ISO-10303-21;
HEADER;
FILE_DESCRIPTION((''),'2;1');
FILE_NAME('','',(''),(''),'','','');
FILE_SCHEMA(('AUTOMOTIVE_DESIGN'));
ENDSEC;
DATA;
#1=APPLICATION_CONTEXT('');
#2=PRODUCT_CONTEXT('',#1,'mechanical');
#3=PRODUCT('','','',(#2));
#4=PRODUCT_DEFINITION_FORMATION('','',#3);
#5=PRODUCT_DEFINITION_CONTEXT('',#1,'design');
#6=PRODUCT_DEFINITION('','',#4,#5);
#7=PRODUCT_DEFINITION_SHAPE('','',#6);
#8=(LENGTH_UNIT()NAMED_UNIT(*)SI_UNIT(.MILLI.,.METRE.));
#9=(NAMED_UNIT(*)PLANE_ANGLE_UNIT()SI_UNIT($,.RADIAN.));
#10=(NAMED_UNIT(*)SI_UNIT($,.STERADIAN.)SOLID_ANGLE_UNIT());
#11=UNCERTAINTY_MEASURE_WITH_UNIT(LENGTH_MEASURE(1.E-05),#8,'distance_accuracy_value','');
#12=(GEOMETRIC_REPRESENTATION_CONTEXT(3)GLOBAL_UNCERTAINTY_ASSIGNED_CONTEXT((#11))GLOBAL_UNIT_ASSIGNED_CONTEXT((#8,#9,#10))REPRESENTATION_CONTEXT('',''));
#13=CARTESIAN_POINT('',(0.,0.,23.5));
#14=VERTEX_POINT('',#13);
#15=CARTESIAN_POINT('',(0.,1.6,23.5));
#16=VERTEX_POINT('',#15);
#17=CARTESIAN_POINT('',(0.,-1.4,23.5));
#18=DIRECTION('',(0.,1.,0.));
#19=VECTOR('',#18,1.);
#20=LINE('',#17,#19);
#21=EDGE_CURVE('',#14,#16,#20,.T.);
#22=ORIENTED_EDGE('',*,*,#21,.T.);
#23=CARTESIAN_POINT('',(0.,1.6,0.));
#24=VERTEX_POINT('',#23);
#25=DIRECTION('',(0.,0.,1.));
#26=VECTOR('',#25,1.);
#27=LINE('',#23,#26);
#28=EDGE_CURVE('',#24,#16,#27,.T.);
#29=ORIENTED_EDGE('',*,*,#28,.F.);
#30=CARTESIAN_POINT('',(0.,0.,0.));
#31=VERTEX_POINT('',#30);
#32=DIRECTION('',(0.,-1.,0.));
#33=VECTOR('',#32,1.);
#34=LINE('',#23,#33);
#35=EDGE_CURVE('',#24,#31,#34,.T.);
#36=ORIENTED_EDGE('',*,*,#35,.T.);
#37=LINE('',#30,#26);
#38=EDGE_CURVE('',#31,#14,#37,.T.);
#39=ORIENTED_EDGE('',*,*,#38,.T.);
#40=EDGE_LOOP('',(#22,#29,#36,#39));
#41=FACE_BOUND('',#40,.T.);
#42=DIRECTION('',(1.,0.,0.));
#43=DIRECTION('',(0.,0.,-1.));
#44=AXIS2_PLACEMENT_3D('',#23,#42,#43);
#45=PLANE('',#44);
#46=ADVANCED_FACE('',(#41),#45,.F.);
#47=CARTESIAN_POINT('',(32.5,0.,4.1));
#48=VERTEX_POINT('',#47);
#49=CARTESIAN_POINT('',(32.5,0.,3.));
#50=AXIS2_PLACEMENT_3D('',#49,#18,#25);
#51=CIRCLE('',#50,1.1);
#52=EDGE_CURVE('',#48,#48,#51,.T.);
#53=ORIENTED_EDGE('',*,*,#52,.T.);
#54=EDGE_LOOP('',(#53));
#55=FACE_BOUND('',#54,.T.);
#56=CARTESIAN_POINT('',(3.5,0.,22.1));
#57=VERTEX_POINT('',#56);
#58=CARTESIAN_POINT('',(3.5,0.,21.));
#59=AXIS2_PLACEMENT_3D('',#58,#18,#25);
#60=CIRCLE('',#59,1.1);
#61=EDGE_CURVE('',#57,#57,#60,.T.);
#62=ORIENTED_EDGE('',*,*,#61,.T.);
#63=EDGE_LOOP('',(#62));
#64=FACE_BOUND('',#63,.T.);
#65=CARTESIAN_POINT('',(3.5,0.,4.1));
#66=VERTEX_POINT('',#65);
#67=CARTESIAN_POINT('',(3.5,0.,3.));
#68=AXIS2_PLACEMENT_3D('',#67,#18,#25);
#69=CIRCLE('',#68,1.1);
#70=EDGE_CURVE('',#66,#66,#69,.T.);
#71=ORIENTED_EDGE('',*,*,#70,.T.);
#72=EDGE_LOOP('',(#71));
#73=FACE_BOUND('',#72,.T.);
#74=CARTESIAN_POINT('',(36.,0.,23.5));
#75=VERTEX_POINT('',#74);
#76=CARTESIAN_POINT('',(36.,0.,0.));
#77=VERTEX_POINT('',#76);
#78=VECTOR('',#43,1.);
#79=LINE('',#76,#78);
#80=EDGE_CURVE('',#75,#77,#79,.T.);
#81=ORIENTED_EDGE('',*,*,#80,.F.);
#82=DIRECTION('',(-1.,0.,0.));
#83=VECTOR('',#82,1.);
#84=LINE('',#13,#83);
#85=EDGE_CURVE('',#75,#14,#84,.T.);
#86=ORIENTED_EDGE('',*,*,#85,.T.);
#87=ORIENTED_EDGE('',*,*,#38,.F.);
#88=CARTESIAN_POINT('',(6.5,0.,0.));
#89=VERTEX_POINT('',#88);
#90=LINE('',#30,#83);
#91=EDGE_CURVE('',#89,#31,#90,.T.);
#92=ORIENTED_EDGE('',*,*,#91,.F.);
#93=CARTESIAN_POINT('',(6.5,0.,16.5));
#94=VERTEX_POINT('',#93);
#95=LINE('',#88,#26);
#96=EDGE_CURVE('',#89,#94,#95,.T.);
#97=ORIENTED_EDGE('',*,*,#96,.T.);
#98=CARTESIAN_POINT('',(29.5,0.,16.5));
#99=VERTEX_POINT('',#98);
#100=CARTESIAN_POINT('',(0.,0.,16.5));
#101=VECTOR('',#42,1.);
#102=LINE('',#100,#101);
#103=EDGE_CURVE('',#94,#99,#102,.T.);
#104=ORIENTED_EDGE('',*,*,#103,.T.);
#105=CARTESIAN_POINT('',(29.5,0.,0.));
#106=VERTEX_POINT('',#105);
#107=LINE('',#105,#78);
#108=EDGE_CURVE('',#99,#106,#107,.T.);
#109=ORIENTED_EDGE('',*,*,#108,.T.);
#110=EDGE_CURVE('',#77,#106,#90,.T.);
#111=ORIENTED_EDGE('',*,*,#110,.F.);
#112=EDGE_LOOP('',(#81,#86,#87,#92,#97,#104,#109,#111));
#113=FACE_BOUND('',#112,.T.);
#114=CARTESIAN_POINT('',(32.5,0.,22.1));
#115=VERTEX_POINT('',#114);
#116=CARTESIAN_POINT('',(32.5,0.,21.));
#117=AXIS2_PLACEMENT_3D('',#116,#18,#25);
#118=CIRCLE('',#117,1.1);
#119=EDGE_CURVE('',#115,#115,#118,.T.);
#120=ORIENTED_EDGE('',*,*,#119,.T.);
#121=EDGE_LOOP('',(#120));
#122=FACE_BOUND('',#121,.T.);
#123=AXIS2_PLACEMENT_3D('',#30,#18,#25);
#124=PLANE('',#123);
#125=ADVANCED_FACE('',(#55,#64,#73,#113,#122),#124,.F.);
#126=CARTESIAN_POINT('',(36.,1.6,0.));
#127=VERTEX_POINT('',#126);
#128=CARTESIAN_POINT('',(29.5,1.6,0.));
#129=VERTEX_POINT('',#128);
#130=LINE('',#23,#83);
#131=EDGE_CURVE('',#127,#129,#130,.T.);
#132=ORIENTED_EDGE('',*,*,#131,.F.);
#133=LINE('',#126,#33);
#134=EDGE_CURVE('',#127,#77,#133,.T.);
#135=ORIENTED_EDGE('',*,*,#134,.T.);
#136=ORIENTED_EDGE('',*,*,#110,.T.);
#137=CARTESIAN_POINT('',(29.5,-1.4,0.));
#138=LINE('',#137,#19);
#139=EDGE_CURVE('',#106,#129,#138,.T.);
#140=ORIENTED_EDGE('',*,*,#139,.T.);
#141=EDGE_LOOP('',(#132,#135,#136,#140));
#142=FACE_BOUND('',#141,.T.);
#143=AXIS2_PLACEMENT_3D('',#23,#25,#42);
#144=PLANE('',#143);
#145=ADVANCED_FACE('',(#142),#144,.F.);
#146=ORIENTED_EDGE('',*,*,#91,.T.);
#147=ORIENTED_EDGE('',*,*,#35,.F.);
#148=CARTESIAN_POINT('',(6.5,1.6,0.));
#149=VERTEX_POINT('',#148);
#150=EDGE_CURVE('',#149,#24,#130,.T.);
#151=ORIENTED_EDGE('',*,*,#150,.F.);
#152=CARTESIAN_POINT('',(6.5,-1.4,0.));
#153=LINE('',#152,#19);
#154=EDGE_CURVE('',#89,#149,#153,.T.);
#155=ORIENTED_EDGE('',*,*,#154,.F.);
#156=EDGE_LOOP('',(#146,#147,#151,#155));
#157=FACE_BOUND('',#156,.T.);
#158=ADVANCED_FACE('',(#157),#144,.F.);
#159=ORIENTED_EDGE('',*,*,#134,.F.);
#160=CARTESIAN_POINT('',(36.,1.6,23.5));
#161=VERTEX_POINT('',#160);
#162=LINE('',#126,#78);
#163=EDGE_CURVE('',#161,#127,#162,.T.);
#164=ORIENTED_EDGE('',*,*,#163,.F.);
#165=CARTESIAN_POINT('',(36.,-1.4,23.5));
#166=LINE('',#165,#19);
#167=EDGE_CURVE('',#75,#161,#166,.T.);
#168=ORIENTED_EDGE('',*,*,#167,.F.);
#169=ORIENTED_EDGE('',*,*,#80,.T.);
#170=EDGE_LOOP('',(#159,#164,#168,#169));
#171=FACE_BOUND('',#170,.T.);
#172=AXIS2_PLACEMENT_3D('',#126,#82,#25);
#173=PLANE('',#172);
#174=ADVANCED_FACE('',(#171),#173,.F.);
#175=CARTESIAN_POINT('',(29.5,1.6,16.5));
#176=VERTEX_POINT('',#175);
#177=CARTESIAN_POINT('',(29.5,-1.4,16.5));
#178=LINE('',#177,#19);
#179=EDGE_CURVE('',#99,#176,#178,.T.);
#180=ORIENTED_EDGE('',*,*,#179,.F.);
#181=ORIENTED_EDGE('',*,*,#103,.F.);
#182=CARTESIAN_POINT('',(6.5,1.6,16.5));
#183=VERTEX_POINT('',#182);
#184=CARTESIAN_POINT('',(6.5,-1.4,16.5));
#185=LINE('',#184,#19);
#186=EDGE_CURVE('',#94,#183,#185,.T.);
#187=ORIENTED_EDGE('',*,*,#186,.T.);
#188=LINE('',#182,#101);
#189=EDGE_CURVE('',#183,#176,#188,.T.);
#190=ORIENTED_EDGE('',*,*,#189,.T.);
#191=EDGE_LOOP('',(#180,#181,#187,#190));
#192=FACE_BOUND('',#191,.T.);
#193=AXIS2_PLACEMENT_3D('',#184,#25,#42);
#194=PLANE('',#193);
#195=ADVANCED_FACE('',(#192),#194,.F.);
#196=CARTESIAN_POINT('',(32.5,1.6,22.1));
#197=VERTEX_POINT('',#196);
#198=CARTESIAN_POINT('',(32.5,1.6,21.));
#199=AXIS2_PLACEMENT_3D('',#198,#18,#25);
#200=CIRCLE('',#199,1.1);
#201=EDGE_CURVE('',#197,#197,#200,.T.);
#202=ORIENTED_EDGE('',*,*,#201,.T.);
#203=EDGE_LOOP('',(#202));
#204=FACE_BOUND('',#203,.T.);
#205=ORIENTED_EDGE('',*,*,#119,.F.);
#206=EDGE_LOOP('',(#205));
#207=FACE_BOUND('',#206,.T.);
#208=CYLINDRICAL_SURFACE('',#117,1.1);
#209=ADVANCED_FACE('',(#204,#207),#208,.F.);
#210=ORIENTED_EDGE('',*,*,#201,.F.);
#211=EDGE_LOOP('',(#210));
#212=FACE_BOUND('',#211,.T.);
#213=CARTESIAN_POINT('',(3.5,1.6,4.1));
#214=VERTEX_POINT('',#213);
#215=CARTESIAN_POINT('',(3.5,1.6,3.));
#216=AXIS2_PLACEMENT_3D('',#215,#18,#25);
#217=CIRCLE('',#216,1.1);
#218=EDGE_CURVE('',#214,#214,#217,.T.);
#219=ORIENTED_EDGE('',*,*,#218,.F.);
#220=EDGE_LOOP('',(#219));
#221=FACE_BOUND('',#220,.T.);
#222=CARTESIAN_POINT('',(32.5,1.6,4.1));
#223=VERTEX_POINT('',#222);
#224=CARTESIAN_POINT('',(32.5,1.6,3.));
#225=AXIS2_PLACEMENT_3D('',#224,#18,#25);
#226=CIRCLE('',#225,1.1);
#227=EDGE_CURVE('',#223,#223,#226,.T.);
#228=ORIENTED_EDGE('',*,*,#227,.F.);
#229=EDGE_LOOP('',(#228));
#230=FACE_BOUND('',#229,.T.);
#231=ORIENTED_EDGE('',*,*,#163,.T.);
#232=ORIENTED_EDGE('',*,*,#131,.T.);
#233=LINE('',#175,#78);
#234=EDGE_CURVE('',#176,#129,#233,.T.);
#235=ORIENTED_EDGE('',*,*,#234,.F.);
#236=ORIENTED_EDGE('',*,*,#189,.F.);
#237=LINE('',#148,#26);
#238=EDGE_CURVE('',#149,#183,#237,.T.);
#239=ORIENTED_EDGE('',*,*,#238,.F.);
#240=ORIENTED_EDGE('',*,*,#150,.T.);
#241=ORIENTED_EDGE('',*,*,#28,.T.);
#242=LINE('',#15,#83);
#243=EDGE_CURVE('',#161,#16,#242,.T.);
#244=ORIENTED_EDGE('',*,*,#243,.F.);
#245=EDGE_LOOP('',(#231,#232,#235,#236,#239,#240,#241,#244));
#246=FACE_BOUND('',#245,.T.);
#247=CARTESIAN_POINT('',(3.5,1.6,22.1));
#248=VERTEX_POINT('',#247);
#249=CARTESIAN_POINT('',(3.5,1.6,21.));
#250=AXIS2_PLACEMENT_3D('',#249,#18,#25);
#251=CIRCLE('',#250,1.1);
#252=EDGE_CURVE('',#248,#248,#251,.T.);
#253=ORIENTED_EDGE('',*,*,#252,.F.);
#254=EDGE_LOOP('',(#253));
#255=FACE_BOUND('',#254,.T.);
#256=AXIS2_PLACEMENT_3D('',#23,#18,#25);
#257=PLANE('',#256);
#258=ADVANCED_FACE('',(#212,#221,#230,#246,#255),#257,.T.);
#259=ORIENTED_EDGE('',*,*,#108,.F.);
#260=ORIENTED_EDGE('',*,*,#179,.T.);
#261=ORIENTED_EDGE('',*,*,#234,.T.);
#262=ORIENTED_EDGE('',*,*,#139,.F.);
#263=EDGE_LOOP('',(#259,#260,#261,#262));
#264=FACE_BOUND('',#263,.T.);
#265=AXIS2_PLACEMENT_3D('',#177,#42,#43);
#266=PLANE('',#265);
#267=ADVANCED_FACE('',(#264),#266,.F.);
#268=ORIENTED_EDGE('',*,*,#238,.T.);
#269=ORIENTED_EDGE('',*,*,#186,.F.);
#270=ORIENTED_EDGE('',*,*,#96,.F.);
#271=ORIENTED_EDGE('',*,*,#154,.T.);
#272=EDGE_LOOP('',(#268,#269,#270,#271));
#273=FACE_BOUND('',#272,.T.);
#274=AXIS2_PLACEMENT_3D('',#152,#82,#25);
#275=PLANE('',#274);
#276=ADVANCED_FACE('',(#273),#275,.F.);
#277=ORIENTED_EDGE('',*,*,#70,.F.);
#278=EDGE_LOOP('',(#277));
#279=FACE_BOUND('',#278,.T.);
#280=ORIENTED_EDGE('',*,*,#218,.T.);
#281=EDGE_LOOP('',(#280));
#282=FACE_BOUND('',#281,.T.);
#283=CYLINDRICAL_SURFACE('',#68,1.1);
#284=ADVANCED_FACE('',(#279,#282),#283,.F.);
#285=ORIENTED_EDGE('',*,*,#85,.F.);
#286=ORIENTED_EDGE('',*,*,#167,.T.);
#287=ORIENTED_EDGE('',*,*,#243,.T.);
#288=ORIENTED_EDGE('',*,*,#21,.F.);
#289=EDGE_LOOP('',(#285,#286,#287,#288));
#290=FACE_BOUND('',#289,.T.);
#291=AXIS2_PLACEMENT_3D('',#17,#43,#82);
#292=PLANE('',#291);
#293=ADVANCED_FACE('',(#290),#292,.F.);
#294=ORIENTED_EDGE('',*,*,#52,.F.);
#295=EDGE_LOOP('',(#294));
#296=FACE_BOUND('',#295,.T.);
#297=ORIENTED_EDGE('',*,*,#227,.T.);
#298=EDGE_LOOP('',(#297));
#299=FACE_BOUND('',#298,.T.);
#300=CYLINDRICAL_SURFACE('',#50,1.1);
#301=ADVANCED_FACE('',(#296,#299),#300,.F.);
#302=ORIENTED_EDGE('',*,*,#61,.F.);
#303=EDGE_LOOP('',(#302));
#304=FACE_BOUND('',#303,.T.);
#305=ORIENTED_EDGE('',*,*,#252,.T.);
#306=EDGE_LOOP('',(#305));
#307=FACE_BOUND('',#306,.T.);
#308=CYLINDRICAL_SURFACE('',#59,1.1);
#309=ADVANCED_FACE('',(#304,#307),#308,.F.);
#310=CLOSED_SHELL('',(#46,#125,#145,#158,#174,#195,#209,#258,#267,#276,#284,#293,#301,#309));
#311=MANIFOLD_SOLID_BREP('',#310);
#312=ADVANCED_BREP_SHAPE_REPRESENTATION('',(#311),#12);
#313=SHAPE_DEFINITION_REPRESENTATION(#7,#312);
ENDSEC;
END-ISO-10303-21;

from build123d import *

# Parameters (mm, degrees)
SKETCH_1_W          = 36
SKETCH_1_H          = 24
EXTRUDE_3_DEPTH     = 1.6
SKETCH_3_W          = 22
SKETCH_3_H          = 16
CUT_EXTRUDE_1_DEPTH = 1.6
SKETCH_4_R          = 1.1
CUT_EXTRUDE_2_DEPTH = 1.6
CUT_EXTRUDE_3_DEPTH = 3
SKETCH_6_W          = 36
SKETCH_6_H          = 0.5
CUT_EXTRUDE_4_DEPTH = 3


with BuildPart() as part:
    # 草图1 → 凸台-拉伸3 (new body)
    with BuildSketch(Plane(origin=(0, 0, 0), x_dir=(1, 0, 0), z_dir=(0, 1, 0))):
        with Locations((18, -12)):
            Rectangle(SKETCH_1_W, SKETCH_1_H)
    extrude(amount=EXTRUDE_3_DEPTH)

    # 草图3 → 切除-拉伸1 (cut)
    with BuildSketch(Plane(origin=(0, 1.6, 0), x_dir=(1, 0, 0), z_dir=(0, 1, 0))):
        with Locations((18, -8)):
            Rectangle(SKETCH_3_W, SKETCH_3_H)
    extrude(amount=-CUT_EXTRUDE_1_DEPTH, mode=Mode.SUBTRACT)

    # 草图4 → 切除-拉伸2 (cut)
    with BuildSketch(Plane(origin=(0, 1.6, 0), x_dir=(1, 0, 0), z_dir=(0, 1, 0))):
        with Locations((3.5, -3)):
            Circle(SKETCH_4_R)
        with Locations((32.5, -3)):
            Circle(SKETCH_4_R)
        with Locations((3.5, -21)):
            Circle(SKETCH_4_R)
        with Locations((32.5, -21)):
            Circle(SKETCH_4_R)
    extrude(amount=-CUT_EXTRUDE_2_DEPTH, mode=Mode.SUBTRACT)

    # 草图5 → 切除-拉伸3 (cut)
    with BuildSketch(Plane(origin=(0, 1.6, 0), x_dir=(1, 0, 0), z_dir=(0, 1, 0))):
        Polygon((7, 0), (6.5, 0), (6.5, -16.5), (29.5, -16.5), (29.5, 0), (29, 0), (29, -16), (7, -16), align=None)
    extrude(amount=-CUT_EXTRUDE_3_DEPTH, mode=Mode.SUBTRACT)

    # 草图6 → 切除-拉伸4 (cut)
    with BuildSketch(Plane(origin=(0, 1.6, 0), x_dir=(1, 0, 0), z_dir=(0, 1, 0))):
        with Locations((18, -23.75)):
            Rectangle(SKETCH_6_W, SKETCH_6_H)
    extrude(amount=-CUT_EXTRUDE_4_DEPTH, mode=Mode.SUBTRACT)


solid = part.part
